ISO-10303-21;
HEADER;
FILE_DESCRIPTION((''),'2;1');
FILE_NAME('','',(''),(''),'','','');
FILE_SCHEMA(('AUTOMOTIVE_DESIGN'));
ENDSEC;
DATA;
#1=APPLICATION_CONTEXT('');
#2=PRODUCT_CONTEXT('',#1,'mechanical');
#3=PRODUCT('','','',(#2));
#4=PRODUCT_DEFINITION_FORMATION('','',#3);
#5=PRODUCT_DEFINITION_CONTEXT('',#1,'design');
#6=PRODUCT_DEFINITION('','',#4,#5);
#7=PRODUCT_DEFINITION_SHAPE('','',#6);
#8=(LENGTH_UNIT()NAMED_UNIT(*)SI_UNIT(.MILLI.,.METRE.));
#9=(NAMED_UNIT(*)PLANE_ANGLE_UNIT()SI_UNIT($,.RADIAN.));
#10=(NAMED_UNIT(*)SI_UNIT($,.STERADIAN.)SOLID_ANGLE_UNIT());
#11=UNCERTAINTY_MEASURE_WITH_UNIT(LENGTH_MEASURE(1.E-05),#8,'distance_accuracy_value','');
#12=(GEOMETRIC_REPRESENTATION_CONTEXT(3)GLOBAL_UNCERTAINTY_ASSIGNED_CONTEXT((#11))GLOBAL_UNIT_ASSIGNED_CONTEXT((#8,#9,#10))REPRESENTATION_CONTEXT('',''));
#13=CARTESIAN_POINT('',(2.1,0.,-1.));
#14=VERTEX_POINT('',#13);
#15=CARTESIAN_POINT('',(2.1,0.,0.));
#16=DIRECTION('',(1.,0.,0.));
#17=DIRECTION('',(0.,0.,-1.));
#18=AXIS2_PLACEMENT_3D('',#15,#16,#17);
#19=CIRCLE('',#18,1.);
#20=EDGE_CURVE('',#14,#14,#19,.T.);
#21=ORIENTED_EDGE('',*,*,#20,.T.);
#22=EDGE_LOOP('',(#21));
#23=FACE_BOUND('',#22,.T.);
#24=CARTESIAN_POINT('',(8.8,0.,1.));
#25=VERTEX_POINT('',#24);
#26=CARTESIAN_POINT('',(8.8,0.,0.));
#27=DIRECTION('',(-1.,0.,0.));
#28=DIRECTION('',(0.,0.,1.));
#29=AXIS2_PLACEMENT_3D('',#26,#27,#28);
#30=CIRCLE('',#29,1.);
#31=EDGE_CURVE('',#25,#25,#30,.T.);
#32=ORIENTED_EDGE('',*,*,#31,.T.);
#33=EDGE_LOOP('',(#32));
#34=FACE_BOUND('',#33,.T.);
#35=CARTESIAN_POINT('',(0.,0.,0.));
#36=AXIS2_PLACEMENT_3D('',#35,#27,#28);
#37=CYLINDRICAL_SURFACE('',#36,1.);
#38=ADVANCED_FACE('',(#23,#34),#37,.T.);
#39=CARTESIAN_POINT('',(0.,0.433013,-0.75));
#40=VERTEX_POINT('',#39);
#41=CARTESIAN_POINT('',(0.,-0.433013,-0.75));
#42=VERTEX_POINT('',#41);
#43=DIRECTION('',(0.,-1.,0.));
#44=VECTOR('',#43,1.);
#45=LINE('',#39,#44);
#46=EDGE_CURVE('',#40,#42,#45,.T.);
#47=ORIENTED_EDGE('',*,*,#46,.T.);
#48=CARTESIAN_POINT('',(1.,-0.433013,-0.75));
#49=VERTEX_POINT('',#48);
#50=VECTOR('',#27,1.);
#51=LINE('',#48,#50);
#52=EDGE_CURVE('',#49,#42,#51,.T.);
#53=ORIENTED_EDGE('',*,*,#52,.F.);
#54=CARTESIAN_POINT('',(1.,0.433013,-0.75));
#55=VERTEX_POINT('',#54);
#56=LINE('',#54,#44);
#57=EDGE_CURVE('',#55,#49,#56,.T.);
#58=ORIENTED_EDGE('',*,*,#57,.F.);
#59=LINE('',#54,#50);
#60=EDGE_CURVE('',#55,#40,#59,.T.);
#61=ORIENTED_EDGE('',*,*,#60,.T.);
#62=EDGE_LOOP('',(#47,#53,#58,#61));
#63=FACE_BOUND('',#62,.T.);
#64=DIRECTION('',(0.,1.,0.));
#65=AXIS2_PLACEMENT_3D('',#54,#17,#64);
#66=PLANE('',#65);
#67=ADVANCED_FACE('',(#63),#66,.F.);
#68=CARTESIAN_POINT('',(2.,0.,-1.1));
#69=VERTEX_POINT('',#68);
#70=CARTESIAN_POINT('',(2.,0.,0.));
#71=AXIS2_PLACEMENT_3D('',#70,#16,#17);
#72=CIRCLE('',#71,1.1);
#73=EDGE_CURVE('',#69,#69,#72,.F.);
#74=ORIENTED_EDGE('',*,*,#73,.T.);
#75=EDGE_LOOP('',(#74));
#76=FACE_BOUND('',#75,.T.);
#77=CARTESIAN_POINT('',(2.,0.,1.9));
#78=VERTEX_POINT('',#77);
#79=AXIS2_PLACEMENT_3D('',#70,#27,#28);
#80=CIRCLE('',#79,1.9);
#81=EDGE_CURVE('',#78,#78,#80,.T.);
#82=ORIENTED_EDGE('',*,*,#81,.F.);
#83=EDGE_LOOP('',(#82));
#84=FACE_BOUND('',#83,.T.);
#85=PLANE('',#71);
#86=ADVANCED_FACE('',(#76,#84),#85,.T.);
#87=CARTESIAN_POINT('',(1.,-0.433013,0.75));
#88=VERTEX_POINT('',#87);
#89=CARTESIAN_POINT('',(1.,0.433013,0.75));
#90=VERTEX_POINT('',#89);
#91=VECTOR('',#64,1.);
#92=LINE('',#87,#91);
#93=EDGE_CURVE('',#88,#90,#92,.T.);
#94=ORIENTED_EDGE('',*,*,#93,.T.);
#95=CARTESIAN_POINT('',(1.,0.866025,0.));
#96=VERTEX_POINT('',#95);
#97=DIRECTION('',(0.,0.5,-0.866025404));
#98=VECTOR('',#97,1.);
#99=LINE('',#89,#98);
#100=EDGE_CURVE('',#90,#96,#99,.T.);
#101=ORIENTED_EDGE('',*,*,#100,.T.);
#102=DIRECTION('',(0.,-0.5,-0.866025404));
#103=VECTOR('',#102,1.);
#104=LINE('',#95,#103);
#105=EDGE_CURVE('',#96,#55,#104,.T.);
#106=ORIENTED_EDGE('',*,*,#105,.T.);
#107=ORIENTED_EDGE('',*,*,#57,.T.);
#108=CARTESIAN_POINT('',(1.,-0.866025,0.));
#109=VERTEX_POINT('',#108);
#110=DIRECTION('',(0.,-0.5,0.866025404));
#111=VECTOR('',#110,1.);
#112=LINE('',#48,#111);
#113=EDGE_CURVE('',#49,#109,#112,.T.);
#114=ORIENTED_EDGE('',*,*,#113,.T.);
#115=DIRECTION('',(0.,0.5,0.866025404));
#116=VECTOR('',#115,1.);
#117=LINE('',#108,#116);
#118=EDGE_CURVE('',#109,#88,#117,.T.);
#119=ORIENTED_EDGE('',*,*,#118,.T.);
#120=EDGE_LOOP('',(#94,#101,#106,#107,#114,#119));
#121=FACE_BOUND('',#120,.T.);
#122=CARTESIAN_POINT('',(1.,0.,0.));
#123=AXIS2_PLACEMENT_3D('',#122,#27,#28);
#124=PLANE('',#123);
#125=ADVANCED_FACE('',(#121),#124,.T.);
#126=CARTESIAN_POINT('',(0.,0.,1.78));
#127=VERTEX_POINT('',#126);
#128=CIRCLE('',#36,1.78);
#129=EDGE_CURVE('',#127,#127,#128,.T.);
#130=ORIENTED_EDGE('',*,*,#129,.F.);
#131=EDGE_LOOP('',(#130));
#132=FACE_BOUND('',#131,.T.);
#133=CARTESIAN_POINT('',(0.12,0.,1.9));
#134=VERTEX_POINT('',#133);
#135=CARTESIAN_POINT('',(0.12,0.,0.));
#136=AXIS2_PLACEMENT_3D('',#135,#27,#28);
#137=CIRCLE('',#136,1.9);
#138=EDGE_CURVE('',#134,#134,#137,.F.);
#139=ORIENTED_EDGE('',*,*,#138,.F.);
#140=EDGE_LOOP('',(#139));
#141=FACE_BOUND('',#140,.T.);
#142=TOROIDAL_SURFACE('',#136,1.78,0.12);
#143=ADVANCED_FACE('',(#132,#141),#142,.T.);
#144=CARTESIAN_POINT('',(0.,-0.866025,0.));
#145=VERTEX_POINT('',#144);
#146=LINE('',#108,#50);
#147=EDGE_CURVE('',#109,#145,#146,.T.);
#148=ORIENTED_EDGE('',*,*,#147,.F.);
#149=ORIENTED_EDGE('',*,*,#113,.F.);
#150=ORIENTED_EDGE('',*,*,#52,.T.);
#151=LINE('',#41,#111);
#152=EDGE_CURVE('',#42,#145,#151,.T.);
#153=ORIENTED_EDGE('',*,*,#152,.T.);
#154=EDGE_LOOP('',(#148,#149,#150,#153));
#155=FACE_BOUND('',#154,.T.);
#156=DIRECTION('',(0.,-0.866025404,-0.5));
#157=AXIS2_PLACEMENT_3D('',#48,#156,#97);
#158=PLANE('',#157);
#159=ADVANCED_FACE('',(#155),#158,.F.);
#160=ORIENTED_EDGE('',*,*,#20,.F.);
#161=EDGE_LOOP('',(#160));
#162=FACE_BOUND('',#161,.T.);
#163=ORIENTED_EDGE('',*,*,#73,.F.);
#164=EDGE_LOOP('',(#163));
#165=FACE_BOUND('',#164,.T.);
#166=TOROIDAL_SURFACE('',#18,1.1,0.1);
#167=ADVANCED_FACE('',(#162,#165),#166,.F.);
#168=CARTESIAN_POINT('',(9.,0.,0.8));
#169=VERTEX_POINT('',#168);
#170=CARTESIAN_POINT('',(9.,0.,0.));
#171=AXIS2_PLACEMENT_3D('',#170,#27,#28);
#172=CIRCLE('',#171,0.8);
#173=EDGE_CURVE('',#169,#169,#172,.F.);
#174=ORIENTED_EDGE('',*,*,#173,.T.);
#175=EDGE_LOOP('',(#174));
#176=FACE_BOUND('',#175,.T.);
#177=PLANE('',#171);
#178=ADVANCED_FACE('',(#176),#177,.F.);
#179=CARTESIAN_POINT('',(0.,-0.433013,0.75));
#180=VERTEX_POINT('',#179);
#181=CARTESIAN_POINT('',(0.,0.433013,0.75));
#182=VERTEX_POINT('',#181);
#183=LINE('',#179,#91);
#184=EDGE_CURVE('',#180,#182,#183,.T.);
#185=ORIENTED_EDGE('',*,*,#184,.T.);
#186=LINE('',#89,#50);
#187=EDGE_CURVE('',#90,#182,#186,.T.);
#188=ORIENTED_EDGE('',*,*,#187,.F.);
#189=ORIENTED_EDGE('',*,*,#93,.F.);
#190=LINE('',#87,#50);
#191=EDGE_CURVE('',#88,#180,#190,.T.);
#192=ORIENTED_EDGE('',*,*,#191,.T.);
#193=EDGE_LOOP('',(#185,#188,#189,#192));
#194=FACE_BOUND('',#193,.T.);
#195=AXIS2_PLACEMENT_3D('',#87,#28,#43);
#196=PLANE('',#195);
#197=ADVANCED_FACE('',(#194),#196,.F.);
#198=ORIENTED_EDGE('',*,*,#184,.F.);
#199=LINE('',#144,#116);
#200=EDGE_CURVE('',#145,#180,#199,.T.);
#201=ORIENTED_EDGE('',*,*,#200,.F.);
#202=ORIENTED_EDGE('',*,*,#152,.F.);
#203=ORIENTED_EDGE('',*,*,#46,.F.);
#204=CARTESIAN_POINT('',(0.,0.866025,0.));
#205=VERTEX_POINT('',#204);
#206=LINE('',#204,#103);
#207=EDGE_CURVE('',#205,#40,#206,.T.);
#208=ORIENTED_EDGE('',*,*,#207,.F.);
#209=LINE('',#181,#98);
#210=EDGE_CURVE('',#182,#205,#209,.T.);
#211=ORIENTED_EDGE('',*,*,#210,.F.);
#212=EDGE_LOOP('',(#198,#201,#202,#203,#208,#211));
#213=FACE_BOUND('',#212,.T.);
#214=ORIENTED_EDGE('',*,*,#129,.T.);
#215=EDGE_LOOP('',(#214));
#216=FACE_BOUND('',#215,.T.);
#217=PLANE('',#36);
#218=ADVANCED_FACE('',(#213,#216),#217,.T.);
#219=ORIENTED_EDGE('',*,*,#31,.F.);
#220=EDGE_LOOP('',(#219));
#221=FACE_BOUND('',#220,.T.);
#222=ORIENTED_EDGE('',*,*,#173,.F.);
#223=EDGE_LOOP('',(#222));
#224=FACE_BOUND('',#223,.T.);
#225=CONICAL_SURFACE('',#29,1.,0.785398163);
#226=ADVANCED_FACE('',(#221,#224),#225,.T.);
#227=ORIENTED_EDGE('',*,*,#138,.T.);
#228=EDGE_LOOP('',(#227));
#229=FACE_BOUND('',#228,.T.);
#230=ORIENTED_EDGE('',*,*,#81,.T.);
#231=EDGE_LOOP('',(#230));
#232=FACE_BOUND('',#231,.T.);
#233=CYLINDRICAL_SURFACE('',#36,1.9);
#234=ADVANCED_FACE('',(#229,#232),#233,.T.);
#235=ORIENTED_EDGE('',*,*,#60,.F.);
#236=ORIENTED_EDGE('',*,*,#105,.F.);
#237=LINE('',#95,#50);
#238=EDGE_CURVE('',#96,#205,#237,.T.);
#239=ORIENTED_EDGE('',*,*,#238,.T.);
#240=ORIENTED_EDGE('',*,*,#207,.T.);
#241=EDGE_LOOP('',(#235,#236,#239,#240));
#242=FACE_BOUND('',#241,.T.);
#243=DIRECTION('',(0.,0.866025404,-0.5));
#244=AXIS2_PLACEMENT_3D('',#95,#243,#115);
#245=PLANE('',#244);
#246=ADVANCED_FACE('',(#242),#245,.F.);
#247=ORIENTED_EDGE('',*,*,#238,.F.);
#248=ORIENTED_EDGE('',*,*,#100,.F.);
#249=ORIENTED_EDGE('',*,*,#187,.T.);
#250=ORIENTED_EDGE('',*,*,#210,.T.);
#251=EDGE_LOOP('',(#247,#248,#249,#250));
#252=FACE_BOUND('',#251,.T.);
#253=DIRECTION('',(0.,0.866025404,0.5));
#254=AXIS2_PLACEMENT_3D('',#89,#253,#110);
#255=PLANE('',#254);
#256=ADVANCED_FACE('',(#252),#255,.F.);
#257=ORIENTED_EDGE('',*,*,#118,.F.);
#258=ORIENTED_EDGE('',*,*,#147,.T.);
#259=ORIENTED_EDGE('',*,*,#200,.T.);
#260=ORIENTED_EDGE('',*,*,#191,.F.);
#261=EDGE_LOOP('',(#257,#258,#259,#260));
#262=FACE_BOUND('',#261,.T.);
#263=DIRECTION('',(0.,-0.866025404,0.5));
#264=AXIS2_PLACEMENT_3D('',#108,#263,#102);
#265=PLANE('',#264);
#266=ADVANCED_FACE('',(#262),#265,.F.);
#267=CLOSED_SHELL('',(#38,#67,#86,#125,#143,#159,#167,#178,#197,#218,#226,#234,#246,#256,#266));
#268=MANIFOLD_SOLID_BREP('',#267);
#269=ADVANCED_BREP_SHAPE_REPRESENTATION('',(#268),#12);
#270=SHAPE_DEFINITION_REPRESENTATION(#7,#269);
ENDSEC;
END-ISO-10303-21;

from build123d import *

# Parameters (mm, degrees)
FILLET1_R      = 0.1
FILLET2_R      = 0.12
CHAMFER1_SIZE  = 0.2
EXTRUDE1_DEPTH = 1


with BuildPart() as part:
    # Sketch1 → Revolve1 (revolve)
    with BuildSketch(Plane.XY, mode=Mode.PRIVATE) as revolve1_sk:
        Polygon((2, 1), (2, 0), (4.279914881, 0), (9, 0), (9, 1), align=None)
        Polygon((0, 1.9), (0, 0), (2, 0), (2, 1), (2, 1.9), align=None)
    revolve(revolve1_sk.sketch.rotate(Axis((0, 0, 0), (1, 0, 0)), 90), axis=Axis((0, 0, 0), (1, 0, 0)))

    # Fillet1
    fillet1_edges = [part.edges().sort_by_distance(p)[0] for p in [
        (2, 0, -1),
    ]]
    fillet(fillet1_edges, radius=FILLET1_R)

    # Fillet2
    fillet2_edges = [part.edges().sort_by_distance(p)[0] for p in [
        (0, 0, -1.9),
    ]]
    fillet(fillet2_edges, radius=FILLET2_R)

    # Chamfer1
    chamfer1_edges = [part.edges().sort_by_distance(p)[0] for p in [
        (9, 0, -1),
    ]]
    chamfer(chamfer1_edges, length=CHAMFER1_SIZE)

    # Sketch2 → Extrude1 (cut)
    with BuildSketch(Plane.ZY):
        Polygon((0, 0.866025404), (-0.75, 0.433012702), (-0.75, -0.433012702), (0, -0.866025404), (0.75, -0.433012702), (0.75, 0.433012702), align=None)
    extrude(amount=-EXTRUDE1_DEPTH, mode=Mode.SUBTRACT)


solid = part.part
